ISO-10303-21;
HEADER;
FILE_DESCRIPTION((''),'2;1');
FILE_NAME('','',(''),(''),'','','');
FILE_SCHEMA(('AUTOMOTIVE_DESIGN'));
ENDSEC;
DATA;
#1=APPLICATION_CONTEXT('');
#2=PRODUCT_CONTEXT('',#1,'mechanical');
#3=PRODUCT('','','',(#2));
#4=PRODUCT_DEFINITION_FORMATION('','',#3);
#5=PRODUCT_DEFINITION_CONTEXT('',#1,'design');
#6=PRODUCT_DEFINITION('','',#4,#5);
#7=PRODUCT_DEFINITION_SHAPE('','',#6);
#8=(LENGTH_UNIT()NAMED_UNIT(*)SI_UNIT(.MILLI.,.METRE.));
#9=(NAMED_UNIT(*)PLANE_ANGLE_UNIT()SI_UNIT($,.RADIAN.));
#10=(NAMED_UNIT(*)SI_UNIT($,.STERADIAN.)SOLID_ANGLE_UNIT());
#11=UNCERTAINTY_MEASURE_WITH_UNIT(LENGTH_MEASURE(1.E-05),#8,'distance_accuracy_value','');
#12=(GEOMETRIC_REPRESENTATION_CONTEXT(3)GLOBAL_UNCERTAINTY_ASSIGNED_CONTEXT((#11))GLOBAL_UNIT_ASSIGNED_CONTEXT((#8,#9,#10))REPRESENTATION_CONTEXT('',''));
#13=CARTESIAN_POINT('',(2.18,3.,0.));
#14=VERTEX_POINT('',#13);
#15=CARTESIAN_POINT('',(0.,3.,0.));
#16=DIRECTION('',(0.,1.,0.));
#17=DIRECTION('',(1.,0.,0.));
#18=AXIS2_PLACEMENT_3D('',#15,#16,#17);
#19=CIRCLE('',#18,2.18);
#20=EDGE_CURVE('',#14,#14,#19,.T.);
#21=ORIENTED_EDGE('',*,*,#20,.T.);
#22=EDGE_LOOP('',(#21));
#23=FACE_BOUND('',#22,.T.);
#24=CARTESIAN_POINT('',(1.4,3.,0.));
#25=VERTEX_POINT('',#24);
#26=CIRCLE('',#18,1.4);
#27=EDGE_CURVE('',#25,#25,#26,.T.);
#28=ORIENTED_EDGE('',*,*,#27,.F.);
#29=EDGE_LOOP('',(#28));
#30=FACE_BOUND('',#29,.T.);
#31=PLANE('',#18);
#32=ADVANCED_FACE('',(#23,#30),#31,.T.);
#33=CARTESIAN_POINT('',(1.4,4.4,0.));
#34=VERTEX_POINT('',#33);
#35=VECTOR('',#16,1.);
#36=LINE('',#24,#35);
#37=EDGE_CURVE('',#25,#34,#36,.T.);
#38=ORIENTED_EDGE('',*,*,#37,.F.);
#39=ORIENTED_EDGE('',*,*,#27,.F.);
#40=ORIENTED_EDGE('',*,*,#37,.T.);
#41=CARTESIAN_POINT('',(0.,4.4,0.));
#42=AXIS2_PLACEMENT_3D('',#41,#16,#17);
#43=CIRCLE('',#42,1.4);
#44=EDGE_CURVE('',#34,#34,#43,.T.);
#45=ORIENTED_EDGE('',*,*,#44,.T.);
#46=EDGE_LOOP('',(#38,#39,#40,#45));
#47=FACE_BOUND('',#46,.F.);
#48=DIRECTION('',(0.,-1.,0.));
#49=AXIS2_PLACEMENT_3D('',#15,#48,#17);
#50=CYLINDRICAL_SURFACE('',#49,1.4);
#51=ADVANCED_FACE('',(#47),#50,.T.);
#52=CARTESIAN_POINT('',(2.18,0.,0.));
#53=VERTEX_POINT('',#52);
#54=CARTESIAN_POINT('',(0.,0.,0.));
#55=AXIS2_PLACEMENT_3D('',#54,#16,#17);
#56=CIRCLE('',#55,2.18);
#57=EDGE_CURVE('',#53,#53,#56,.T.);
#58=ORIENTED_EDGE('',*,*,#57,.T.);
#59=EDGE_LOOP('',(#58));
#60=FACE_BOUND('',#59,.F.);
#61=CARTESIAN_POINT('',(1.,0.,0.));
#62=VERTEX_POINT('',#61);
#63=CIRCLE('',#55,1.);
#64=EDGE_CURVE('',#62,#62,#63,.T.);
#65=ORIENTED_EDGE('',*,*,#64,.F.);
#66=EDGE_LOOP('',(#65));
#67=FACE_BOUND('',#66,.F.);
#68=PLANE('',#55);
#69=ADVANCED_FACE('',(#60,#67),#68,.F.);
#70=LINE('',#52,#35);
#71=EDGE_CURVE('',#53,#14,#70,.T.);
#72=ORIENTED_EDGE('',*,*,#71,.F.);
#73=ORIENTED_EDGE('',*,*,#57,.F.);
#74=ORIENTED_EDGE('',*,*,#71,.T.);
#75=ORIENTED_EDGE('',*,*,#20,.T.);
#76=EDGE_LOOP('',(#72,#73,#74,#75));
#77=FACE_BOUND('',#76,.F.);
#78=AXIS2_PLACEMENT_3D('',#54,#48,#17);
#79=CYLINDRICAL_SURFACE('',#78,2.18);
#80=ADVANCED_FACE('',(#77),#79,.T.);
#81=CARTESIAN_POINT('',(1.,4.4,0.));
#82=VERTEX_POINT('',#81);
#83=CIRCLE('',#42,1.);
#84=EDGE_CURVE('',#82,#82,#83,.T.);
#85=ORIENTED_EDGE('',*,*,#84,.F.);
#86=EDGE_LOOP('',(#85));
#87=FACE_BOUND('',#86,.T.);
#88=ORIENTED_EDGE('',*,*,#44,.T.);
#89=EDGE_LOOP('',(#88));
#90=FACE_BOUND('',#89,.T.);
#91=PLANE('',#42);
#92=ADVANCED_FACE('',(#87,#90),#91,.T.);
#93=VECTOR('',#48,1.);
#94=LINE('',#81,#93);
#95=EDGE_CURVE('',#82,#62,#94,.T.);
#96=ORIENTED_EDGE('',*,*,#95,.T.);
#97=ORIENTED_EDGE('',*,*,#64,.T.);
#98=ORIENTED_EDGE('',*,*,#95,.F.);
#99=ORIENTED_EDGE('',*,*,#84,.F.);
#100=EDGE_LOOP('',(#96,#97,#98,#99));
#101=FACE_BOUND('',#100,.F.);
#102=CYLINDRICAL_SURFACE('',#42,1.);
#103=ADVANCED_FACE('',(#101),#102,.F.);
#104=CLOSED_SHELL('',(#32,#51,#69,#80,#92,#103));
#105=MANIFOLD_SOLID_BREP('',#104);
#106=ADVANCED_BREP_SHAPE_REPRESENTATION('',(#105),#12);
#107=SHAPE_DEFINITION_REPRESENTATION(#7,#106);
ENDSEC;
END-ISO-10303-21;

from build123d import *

# Parameters (mm, degrees)
SKETCH_1_R          = 2.18
EXTRUDE_1_DEPTH     = 3
SKETCH_2_R          = 1.4
EXTRUDE_2_DEPTH     = 1.4
SKETCH_3_R          = 1
CUT_EXTRUDE_1_DEPTH = 10


with BuildPart() as part:
    # Эскиз1 → Бобышка-Вытянуть1 (new body)
    with BuildSketch(Plane(origin=(0, 0, 0), x_dir=(1, 0, 0), z_dir=(0, 1, 0))):
        Circle(SKETCH_1_R)
    extrude(amount=EXTRUDE_1_DEPTH)

    # Эскиз2 → Бобышка-Вытянуть2 (add)
    with BuildSketch(Plane(origin=(0, 3, 0), x_dir=(1, 0, 0), z_dir=(0, 1, 0))):
        Circle(SKETCH_2_R)
    extrude(amount=EXTRUDE_2_DEPTH)

    # Эскиз3 → Вырез-Вытянуть1 (cut)
    with BuildSketch(Plane(origin=(0, 4.4, 0), x_dir=(1, 0, 0), z_dir=(0, 1, 0))):
        Circle(SKETCH_3_R)
    extrude(amount=-CUT_EXTRUDE_1_DEPTH, mode=Mode.SUBTRACT)


solid = part.part
